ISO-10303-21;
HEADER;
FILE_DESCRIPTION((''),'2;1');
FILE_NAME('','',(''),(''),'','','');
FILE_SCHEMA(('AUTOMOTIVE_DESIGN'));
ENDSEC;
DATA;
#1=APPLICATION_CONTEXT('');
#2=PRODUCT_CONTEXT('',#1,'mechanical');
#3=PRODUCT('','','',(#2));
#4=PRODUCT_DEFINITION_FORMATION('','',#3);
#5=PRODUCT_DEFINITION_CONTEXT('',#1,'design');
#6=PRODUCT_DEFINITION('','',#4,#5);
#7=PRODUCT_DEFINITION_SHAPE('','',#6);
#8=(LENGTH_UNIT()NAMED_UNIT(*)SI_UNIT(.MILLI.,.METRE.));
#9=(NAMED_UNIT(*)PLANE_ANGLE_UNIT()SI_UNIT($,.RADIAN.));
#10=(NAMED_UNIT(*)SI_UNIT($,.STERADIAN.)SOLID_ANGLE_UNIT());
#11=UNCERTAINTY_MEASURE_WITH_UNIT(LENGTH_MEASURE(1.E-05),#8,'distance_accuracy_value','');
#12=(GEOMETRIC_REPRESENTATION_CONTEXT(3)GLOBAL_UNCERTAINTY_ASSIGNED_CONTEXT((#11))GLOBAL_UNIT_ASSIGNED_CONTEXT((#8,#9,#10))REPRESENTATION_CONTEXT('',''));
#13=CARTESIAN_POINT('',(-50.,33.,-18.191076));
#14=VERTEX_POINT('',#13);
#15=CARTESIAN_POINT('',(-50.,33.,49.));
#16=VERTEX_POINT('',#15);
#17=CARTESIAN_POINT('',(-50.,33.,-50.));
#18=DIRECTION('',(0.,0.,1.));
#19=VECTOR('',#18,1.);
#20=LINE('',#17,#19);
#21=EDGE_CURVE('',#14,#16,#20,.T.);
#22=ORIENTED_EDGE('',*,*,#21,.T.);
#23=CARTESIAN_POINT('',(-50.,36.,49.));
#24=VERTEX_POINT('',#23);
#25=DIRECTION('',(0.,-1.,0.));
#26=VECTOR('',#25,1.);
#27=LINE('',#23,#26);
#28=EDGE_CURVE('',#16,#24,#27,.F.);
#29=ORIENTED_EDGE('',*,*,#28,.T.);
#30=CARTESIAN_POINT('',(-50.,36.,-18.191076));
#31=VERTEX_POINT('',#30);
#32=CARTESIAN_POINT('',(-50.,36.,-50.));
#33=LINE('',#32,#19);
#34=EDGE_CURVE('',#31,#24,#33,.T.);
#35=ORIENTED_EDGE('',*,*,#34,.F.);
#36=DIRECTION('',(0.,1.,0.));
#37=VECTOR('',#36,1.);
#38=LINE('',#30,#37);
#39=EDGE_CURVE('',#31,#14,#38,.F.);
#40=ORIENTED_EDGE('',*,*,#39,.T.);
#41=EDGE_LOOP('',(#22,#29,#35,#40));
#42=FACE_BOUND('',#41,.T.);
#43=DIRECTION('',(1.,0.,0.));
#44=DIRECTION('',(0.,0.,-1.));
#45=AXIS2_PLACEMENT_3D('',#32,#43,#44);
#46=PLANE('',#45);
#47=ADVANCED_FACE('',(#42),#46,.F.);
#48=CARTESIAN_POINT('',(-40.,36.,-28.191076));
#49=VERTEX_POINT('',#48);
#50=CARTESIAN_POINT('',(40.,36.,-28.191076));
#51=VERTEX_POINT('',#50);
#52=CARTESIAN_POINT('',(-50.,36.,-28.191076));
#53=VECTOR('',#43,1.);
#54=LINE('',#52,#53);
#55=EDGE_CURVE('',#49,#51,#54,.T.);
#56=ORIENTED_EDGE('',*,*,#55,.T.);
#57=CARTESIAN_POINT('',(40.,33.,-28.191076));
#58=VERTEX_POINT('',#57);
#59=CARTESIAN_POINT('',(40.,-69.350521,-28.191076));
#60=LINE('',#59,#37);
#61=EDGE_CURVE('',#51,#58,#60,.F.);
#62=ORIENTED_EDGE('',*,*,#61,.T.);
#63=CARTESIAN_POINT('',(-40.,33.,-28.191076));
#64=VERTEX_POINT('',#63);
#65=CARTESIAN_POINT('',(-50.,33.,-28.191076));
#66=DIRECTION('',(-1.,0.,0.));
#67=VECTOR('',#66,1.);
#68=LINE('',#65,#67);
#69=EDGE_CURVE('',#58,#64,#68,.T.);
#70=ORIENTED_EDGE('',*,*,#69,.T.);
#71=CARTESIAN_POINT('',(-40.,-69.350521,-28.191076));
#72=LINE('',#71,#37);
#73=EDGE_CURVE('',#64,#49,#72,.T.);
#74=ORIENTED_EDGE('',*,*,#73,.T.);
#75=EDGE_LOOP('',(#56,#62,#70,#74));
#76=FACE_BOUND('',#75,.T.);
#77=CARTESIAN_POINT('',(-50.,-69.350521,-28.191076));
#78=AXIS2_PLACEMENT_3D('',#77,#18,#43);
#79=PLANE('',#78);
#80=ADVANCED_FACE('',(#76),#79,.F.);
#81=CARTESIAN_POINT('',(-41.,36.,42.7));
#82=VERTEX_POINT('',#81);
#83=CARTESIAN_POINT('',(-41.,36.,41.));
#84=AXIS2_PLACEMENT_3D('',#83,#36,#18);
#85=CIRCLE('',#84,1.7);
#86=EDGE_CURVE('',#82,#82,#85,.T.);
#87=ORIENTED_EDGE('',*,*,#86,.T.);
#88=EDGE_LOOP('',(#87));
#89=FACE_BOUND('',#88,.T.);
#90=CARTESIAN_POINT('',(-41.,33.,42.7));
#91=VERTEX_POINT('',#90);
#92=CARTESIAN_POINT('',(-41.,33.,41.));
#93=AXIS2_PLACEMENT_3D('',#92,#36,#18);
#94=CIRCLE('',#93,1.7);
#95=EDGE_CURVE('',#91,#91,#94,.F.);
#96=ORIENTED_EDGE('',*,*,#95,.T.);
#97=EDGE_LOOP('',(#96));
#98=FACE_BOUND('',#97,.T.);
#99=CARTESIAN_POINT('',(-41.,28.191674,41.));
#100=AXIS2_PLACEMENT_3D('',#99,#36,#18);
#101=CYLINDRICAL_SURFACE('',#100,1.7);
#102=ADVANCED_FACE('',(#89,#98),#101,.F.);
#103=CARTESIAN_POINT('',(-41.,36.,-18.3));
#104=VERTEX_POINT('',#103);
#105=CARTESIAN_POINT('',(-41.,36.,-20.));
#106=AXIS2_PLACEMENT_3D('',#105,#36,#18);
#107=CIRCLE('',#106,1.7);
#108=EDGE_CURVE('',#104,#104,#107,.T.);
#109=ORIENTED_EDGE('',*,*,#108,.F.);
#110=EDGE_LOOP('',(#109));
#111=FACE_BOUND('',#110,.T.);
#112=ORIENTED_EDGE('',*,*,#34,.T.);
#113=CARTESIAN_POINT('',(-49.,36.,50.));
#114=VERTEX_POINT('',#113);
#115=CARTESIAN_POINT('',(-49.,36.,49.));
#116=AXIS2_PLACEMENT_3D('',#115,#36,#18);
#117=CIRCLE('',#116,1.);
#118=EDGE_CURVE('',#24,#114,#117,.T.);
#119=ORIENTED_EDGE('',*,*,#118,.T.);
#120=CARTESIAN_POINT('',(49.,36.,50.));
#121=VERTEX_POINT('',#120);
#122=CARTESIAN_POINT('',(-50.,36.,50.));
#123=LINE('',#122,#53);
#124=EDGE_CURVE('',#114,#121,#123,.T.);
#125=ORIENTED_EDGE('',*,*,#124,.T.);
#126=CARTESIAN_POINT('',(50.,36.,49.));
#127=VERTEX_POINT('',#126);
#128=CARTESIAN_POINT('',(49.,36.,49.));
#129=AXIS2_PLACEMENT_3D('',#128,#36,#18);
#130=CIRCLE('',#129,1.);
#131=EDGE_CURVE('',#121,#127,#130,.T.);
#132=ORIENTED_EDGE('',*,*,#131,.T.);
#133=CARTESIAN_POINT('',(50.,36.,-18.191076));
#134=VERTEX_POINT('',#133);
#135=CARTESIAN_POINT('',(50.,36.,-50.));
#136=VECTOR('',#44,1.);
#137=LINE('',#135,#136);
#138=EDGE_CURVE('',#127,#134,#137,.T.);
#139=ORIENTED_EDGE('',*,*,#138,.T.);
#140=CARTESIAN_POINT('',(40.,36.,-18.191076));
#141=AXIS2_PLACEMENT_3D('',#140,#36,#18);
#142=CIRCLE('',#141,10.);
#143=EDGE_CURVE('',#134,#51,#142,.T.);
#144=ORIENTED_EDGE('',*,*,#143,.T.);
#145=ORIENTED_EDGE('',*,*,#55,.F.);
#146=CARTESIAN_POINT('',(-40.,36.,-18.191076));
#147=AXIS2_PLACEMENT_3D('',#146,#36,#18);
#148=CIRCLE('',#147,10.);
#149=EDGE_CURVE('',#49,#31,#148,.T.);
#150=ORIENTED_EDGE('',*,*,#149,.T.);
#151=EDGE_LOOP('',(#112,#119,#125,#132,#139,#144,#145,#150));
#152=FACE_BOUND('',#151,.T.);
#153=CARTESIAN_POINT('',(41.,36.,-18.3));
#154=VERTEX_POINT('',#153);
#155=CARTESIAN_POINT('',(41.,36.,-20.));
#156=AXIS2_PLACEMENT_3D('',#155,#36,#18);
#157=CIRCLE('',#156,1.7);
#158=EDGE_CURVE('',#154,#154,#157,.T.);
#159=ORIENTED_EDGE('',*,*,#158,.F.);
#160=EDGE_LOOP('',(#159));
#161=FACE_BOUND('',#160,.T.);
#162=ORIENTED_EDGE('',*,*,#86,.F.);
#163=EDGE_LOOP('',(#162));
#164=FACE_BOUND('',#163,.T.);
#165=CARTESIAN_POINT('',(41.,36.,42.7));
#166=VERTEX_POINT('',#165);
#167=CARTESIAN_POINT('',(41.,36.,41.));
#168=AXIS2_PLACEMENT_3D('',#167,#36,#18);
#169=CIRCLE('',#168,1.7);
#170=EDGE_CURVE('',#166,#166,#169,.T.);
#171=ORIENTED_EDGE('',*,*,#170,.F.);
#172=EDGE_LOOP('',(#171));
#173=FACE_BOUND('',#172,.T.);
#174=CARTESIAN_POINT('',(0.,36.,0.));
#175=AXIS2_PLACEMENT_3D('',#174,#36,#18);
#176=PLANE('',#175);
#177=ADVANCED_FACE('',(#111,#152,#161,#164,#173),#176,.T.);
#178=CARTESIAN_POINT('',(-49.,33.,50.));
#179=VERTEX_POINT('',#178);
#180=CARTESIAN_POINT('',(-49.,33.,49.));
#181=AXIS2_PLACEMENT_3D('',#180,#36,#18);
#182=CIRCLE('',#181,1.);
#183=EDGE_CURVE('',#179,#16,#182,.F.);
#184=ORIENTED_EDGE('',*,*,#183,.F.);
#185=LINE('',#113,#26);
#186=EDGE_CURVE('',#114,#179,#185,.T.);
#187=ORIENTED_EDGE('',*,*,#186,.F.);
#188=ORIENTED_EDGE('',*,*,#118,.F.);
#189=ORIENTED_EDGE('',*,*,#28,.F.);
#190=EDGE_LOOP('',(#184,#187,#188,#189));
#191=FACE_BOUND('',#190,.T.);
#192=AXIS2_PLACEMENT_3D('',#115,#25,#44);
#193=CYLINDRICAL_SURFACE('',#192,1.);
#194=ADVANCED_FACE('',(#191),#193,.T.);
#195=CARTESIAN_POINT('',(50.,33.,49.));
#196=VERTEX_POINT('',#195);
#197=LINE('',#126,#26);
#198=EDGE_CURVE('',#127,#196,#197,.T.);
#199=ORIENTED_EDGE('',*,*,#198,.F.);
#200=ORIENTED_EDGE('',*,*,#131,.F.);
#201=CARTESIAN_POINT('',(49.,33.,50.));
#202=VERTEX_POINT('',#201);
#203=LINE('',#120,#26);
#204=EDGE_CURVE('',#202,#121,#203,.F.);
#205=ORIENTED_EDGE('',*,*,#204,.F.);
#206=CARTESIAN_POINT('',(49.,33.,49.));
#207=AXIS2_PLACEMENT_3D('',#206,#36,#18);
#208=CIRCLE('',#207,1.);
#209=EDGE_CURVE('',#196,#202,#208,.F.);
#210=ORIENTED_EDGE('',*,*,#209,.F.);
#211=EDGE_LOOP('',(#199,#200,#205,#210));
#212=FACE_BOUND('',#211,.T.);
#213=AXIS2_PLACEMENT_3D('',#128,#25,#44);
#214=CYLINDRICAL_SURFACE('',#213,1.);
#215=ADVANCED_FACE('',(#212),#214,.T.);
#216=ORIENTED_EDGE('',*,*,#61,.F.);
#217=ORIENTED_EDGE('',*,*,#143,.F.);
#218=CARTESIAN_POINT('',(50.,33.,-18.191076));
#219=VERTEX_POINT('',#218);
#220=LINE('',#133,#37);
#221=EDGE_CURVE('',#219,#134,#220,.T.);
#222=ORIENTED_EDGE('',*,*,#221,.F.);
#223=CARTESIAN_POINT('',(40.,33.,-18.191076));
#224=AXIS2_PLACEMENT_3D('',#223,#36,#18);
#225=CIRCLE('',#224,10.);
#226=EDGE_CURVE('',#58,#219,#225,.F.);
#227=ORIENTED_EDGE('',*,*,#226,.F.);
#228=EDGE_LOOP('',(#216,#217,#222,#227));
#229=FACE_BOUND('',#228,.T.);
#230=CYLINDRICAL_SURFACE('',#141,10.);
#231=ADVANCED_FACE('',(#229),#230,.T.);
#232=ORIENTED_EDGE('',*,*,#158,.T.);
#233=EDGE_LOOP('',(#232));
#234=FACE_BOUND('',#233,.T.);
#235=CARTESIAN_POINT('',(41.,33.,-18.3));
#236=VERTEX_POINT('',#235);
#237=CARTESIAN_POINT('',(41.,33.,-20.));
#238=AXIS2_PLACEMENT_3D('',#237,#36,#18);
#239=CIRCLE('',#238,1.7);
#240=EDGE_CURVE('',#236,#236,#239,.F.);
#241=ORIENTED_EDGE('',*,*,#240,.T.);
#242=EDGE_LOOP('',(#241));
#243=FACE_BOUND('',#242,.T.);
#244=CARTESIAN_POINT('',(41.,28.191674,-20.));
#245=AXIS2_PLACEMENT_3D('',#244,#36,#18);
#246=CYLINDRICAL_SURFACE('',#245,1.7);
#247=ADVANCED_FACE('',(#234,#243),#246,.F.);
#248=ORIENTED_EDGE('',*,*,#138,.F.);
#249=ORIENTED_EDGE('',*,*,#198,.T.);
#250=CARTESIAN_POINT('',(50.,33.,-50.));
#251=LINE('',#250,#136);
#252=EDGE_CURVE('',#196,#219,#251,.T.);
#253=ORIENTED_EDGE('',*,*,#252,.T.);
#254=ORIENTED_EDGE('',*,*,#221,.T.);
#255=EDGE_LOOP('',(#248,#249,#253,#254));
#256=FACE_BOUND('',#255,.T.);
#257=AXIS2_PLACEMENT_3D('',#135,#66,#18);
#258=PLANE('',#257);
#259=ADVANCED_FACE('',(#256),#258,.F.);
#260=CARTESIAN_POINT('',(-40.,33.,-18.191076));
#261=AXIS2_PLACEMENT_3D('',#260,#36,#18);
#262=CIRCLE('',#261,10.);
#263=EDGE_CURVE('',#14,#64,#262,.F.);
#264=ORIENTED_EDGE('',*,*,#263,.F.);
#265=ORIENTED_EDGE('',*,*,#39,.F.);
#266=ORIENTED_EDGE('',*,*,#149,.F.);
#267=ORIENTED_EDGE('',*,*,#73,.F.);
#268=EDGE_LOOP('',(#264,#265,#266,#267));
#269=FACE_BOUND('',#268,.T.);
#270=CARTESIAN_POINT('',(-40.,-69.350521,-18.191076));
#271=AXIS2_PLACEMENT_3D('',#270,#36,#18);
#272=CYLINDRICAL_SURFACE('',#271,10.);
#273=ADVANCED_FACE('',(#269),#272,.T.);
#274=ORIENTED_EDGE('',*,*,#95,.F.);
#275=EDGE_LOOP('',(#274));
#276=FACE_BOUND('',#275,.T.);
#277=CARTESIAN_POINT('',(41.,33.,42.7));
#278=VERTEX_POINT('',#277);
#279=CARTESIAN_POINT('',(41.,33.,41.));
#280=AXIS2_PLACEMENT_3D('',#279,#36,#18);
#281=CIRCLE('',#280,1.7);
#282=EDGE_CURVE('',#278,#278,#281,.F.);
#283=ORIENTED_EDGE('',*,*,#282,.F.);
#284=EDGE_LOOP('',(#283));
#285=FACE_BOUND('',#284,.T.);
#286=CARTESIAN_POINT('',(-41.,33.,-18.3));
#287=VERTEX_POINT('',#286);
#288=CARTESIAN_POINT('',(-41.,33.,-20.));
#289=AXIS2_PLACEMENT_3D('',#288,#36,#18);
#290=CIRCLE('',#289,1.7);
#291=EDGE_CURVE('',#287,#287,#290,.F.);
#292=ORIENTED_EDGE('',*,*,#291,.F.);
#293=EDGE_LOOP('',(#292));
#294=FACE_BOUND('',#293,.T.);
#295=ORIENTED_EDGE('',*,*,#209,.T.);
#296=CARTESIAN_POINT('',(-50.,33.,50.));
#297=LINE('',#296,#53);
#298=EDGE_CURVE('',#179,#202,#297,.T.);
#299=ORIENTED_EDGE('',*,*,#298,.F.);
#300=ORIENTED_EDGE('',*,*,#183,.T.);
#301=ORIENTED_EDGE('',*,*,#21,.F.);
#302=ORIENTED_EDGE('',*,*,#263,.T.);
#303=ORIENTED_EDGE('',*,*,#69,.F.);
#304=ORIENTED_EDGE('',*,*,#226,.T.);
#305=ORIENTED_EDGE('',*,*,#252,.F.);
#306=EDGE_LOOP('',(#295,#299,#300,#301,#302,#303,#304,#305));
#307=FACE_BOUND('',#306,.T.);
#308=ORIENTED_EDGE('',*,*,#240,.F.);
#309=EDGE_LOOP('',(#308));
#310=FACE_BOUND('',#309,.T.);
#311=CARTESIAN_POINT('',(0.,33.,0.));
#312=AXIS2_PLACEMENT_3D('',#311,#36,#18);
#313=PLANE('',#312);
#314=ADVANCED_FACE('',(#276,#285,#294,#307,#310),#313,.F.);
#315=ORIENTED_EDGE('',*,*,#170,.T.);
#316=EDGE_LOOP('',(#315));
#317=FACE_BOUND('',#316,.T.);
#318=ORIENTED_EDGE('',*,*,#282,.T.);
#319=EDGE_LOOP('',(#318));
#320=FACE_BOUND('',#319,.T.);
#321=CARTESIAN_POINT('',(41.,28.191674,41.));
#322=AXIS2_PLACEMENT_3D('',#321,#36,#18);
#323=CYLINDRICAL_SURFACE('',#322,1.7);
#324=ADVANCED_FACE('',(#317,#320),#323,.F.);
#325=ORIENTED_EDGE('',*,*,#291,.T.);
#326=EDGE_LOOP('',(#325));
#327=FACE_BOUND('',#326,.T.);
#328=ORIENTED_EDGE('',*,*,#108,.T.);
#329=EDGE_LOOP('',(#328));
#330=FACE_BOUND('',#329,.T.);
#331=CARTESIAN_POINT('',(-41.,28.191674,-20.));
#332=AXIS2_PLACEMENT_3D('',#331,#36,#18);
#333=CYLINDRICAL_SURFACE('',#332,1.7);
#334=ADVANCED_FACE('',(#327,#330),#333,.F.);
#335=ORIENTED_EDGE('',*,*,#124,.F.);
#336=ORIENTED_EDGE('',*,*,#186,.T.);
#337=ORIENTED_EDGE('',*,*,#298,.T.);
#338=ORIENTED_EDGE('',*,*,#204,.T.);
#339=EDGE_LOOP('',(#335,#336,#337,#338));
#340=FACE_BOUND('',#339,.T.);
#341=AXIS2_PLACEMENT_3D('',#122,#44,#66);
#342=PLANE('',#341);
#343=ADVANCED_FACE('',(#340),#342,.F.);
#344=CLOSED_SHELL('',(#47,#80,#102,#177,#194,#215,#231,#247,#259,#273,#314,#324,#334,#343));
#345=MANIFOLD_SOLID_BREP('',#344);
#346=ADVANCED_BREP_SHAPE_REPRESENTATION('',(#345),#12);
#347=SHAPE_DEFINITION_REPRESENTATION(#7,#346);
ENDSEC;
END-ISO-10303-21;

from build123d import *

# Parameters (mm, degrees)
SKETCH1_W           = 100
SKETCH1_H           = 100
BOSS_EXTRUDE1_DEPTH = 3
SKETCH2_R           = 1.7
CUT_EXTRUDE1_DEPTH  = 3
SKETCH6_W           = 100
SKETCH6_H           = 21.808924231
CUT_EXTRUDE2_DEPTH  = 3
FILLET2_R           = 10
FILLET3_R           = 1


with BuildPart() as part:
    # Sketch1 → Boss-Extrude1 (new body)
    with BuildSketch(Plane(origin=(0, 33, 0), x_dir=(1, 0, 0), z_dir=(0, 1, 0))):
        Rectangle(SKETCH1_W, SKETCH1_H)
    extrude(amount=BOSS_EXTRUDE1_DEPTH)

    # Sketch2 → Cut-Extrude1 (cut)
    with BuildSketch(Plane(origin=(0, 36, 0), x_dir=(1, 0, 0), z_dir=(0, 1, 0))):
        with Locations(Location((-41, 20, 0), (0, 0, 270))):
            Circle(SKETCH2_R)
        with Locations(Location((41, 20, 0), (0, 0, 270))):
            Circle(SKETCH2_R)
        with Locations(Location((41, -41, 0), (0, 0, 270))):
            Circle(SKETCH2_R)
        with Locations(Location((-41, -41, 0), (0, 0, 270))):
            Circle(SKETCH2_R)
    extrude(amount=-CUT_EXTRUDE1_DEPTH, mode=Mode.SUBTRACT)

    # Sketch6 → Cut-Extrude2 (cut)
    with BuildSketch(Plane(origin=(0, 36, 0), x_dir=(1, 0, 0), z_dir=(0, 1, 0))):
        with Locations((0, 39.095537885)):
            Rectangle(SKETCH6_W, SKETCH6_H)
    extrude(amount=-CUT_EXTRUDE2_DEPTH, mode=Mode.SUBTRACT)

    # Fillet2
    fillet2_edges = [part.edges().sort_by_distance(p)[0] for p in [
        (-50, 34.5, -28.191075769),
        (50, 34.5, -28.191075769),
    ]]
    fillet(fillet2_edges, radius=FILLET2_R)

    # Fillet3
    fillet3_edges = [part.edges().sort_by_distance(p)[0] for p in [
        (50, 34.5, 50),
        (-50, 34.5, 50),
    ]]
    fillet(fillet3_edges, radius=FILLET3_R)


solid = part.part
